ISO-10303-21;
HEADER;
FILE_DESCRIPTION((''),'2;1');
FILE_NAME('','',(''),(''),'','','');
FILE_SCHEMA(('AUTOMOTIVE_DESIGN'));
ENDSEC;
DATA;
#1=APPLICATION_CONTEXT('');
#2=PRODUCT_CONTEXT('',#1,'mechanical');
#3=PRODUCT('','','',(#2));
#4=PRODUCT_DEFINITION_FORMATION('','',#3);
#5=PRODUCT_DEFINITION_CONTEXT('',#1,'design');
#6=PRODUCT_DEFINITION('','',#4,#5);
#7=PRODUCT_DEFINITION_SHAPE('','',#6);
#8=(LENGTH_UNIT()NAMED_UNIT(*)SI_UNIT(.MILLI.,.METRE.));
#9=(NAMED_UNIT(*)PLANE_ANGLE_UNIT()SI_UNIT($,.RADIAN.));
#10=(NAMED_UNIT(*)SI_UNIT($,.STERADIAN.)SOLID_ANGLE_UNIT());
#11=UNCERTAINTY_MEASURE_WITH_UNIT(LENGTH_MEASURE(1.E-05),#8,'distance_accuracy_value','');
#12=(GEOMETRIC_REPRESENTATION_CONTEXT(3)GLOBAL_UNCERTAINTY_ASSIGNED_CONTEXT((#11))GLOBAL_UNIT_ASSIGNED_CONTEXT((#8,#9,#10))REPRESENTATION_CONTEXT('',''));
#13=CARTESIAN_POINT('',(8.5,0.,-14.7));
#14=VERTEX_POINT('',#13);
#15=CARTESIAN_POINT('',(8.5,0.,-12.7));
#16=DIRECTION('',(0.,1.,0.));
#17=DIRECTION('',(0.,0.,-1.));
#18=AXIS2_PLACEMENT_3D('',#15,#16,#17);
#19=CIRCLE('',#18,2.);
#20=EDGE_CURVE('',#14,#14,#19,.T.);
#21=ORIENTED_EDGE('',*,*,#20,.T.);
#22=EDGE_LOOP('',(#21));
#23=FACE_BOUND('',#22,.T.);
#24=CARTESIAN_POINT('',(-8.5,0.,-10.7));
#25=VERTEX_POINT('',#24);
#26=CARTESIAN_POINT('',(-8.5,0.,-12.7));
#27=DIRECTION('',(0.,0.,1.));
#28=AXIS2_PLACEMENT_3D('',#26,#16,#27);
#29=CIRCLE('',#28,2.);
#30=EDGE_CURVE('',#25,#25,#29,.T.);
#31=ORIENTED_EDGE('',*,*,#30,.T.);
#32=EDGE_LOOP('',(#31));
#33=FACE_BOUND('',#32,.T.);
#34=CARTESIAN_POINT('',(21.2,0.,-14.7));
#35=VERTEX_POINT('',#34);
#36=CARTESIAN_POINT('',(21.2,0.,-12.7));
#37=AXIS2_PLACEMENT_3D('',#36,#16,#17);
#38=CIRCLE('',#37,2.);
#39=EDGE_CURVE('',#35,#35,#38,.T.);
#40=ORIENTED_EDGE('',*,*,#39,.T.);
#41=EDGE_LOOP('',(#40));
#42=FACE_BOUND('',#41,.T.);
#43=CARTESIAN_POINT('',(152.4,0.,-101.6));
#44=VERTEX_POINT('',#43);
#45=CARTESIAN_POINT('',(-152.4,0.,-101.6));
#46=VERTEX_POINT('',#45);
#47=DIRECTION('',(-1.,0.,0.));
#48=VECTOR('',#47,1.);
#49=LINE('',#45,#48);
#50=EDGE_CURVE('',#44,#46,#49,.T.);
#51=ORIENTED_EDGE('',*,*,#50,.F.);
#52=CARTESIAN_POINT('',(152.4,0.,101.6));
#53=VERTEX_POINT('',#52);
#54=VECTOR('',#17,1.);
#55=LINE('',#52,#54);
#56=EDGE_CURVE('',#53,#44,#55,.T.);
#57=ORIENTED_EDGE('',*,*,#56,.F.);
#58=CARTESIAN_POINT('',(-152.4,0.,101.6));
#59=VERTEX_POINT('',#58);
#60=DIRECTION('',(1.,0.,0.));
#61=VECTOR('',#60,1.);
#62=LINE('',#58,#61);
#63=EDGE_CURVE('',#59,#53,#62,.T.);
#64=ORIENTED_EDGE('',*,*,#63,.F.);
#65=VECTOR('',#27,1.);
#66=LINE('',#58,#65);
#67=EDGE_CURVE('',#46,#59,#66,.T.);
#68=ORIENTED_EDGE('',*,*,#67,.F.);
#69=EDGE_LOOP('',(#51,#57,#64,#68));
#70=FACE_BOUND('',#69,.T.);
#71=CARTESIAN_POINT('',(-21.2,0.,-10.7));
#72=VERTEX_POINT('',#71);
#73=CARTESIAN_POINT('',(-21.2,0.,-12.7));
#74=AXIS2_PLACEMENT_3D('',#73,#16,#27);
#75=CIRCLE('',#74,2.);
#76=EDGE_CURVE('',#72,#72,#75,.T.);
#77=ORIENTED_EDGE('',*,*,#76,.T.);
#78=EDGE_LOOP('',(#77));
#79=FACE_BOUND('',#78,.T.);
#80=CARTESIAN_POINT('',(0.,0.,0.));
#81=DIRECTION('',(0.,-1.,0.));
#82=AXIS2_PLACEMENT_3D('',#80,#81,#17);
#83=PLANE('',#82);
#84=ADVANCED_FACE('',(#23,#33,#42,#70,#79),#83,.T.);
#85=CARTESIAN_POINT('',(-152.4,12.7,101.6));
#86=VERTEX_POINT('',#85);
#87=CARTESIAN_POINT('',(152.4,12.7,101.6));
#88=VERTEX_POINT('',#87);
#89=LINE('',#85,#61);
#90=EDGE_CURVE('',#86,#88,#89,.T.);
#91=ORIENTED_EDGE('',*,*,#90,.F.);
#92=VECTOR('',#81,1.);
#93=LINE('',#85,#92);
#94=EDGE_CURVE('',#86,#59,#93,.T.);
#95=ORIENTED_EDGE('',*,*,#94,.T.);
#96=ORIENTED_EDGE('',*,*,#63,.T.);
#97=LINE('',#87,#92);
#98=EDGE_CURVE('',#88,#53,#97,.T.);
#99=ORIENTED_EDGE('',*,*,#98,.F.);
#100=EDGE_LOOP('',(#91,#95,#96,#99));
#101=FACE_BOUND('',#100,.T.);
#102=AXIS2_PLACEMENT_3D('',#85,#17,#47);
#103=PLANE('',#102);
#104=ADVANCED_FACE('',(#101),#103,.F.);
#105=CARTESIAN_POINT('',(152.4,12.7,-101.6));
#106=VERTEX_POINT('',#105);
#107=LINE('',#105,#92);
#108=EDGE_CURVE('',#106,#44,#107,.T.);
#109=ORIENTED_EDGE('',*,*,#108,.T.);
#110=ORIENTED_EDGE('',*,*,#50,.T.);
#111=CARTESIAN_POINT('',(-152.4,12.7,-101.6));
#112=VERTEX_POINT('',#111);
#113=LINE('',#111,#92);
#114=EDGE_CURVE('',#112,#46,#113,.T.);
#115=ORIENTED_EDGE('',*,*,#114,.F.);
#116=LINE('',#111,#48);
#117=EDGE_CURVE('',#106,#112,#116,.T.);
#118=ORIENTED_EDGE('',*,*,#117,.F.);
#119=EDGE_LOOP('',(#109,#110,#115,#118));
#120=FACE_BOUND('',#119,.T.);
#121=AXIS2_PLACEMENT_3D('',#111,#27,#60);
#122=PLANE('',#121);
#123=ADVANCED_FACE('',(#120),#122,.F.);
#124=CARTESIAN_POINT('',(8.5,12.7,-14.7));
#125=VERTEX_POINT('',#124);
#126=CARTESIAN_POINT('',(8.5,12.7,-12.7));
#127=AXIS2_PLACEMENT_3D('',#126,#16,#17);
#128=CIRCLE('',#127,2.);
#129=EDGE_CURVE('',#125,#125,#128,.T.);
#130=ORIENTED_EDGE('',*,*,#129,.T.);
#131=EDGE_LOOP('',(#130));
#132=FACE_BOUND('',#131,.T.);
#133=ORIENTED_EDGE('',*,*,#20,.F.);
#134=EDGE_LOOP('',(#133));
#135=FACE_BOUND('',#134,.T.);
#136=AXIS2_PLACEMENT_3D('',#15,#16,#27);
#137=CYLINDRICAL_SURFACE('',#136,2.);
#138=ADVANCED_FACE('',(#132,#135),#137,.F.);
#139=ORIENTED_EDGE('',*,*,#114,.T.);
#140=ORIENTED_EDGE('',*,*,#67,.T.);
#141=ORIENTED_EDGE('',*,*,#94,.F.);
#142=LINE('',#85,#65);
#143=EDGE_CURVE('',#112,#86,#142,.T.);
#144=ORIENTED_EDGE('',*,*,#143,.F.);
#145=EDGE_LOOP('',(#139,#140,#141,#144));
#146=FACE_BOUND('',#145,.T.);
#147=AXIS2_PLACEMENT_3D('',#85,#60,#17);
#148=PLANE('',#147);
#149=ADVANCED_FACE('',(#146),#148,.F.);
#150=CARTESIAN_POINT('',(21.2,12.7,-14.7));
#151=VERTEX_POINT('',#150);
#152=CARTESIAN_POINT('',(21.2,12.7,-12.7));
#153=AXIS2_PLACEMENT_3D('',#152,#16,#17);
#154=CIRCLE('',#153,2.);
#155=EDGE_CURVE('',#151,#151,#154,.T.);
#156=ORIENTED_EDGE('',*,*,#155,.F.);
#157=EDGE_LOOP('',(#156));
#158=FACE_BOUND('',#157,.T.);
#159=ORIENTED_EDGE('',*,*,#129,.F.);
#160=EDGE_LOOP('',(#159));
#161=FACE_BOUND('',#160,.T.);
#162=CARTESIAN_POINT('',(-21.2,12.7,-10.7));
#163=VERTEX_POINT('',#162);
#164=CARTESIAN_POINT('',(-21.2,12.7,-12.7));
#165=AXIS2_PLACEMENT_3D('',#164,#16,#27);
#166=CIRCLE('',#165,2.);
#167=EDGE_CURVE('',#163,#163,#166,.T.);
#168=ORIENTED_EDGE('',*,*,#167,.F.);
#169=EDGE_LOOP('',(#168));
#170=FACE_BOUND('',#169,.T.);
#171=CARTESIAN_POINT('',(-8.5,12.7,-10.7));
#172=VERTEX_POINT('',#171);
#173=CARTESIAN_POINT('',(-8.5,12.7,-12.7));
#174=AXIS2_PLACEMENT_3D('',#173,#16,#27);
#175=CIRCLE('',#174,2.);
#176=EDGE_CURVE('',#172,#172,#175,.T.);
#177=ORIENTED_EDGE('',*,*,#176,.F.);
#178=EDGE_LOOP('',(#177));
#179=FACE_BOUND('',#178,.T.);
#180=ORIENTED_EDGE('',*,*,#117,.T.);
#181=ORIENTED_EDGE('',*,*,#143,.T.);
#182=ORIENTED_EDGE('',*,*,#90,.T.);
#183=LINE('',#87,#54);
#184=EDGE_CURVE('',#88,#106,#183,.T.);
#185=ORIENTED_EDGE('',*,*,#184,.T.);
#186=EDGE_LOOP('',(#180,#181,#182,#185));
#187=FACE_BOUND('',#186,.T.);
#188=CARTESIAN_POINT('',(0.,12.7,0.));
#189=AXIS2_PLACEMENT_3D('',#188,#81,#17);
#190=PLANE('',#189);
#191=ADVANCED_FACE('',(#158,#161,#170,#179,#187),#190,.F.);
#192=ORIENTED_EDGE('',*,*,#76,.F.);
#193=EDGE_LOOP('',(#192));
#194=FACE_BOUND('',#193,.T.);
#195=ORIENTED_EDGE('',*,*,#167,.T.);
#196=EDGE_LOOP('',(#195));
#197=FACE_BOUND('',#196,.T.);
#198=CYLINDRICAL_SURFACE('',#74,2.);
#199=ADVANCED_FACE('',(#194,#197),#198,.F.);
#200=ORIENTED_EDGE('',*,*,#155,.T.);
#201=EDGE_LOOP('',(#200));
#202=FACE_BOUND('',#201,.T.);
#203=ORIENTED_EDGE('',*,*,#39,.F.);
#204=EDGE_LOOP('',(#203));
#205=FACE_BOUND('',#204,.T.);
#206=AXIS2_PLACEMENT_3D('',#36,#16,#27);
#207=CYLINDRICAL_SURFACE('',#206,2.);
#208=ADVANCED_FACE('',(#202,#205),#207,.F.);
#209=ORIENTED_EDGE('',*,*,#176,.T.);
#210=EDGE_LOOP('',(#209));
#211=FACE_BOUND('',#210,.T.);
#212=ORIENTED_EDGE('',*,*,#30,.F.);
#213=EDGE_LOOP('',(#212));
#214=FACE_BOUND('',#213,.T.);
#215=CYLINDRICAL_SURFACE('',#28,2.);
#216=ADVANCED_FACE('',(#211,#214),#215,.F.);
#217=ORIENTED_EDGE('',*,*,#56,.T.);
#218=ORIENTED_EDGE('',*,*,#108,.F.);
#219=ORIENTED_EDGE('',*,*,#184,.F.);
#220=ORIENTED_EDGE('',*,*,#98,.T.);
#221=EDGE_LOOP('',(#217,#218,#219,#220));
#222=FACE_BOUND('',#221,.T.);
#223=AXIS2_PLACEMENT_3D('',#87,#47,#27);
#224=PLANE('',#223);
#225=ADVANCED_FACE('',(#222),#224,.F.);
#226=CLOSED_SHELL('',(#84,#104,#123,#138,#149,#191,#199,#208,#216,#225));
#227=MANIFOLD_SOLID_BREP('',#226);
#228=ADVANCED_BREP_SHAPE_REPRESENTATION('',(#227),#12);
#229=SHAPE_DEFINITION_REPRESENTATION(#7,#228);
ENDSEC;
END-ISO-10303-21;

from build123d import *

# Parameters (mm, degrees)
SKETCH1_W           = 304.8
SKETCH1_H           = 203.2
BOSS_EXTRUDE1_DEPTH = 12.7
SKETCH2_R           = 2
CUT_EXTRUDE1_DEPTH  = 184.601770144


with BuildPart() as part:
    # Sketch1 → Boss-Extrude1 (new body)
    with BuildSketch(Plane(origin=(0, 0, 0), x_dir=(1, 0, 0), z_dir=(0, 1, 0))):
        Rectangle(SKETCH1_W, SKETCH1_H)
    extrude(amount=BOSS_EXTRUDE1_DEPTH)

    # Sketch2 → Cut-Extrude1 (cut, through all)
    with BuildSketch(Plane(origin=(0, 12.7, 0), x_dir=(1, 0, 0), z_dir=(0, 1, 0))):
        with Locations(Location((-21.2, 12.7, 0), (0, 0, 270))):
            Circle(SKETCH2_R)
        with Locations(Location((-8.5, 12.7, 0), (0, 0, 270))):
            Circle(SKETCH2_R)
        with Locations(Location((21.2, 12.7, 0), (0, 0, 90))):
            Circle(SKETCH2_R)
        with Locations(Location((8.5, 12.7, 0), (0, 0, 90))):
            Circle(SKETCH2_R)
    extrude(amount=-CUT_EXTRUDE1_DEPTH, mode=Mode.SUBTRACT)


solid = part.part
